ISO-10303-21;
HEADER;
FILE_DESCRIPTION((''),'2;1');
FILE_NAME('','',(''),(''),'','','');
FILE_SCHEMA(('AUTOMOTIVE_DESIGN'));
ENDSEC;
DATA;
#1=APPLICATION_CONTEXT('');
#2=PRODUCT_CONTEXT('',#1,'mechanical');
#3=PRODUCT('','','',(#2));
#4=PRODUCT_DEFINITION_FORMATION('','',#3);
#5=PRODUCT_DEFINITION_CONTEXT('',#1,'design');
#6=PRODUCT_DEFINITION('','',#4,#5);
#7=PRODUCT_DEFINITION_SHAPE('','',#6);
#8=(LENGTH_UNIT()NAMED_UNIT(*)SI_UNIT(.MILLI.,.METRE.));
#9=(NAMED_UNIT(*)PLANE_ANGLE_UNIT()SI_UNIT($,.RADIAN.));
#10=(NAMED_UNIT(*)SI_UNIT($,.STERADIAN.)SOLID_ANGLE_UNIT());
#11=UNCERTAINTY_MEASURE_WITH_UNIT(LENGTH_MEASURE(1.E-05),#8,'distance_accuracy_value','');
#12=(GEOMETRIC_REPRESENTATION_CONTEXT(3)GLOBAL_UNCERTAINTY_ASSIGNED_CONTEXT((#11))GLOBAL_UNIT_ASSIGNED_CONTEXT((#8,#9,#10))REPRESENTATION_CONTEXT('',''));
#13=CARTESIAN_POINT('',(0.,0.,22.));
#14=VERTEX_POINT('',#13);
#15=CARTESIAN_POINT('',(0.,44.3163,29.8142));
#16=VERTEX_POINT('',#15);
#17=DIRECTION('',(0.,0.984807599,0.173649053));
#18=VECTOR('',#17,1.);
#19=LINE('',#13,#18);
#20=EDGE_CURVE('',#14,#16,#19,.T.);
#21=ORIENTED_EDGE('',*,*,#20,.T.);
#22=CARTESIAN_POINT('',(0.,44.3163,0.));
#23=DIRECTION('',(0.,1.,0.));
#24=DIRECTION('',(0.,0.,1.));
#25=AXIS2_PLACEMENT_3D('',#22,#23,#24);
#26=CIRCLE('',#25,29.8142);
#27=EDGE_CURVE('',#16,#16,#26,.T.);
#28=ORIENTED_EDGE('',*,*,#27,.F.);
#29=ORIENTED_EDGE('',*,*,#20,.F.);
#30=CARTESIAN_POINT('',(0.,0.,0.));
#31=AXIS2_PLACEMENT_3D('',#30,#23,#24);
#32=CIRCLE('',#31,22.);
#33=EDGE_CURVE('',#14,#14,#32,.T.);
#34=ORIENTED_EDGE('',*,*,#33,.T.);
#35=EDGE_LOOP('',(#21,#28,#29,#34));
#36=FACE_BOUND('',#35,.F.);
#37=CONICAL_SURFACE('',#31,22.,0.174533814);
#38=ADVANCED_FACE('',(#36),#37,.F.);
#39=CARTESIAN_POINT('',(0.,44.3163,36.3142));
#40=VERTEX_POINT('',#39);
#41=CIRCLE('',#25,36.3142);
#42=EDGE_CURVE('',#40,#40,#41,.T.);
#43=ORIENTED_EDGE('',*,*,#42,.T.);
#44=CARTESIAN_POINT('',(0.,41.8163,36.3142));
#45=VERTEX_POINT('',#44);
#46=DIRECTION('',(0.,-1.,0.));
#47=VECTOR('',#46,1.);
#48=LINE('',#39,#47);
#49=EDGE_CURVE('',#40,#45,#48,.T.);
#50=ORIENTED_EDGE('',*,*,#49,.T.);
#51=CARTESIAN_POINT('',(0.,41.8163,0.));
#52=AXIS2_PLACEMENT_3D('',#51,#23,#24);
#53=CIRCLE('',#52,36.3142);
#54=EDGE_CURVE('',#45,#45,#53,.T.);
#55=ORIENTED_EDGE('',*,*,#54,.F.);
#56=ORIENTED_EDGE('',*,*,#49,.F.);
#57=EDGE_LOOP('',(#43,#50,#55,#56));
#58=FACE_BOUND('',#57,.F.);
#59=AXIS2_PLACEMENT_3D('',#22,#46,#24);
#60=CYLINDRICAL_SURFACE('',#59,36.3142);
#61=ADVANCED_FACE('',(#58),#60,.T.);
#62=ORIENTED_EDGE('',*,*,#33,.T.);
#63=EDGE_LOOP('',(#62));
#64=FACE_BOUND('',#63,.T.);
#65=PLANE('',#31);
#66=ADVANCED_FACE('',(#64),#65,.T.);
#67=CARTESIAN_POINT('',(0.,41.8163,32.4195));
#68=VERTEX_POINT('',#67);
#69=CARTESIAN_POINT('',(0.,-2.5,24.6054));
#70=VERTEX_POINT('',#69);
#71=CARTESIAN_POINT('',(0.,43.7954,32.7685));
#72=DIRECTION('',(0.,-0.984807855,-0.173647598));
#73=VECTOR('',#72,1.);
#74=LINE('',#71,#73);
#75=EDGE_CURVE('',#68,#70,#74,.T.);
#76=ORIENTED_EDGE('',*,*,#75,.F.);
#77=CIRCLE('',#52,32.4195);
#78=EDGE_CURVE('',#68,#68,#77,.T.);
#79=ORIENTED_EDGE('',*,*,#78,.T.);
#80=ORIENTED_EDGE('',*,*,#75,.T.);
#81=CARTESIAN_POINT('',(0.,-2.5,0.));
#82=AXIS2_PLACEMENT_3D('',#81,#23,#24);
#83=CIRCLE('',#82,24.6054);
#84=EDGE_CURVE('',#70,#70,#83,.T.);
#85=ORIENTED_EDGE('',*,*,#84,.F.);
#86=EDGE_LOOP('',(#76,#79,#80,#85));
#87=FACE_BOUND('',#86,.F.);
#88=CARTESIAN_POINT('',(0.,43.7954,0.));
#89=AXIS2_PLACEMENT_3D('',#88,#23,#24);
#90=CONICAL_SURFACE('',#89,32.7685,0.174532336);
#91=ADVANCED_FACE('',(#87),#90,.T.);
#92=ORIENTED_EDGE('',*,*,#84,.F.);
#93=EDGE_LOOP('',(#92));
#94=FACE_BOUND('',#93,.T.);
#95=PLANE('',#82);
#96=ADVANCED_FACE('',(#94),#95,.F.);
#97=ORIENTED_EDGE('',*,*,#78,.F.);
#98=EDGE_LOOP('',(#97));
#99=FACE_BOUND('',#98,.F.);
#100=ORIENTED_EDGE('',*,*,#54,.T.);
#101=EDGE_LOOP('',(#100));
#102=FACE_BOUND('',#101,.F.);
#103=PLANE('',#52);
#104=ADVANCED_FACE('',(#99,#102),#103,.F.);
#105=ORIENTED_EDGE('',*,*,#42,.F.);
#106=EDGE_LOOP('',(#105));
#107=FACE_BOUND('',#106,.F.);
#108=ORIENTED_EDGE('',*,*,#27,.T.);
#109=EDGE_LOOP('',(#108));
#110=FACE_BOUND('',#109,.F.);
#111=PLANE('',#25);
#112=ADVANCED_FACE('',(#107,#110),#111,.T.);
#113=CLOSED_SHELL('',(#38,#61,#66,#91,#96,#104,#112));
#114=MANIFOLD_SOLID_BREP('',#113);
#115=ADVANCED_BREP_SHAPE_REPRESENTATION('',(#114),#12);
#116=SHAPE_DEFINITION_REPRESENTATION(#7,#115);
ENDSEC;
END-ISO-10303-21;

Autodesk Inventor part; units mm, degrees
ref_plane "YZ Plane" through (0, 0, 0) normal (1, 0, 0) x (0, 1, 0)
ref_plane "XZ Plane" through (0, 0, 0) normal (0, 1, 0) x (-1, 0, 0)
ref_plane "XY Plane" through (0, 0, 0) normal (0, 0, 1) x (1, 0, 0)
sketch "Sketch1" plane through (0, 0, 0) normal (1, 0, 0) x (0, 1, 0)
  line L0 (0, 0) -> (-2.5, 0)
  line L1 (-2.5, 0) -> (-2.5, 22)
  line L2 (-2.5, 22) -> (0, 22)
  line L3 (0, 22) -> (0, 0)
  line L4 (0, 22) -> (44.3163, 29.8142)
  line L5 (0, 22) -> (45, 22) construction
  line L6 (44.3163, 29.8142) -> (43.7954, 32.7685)
  line L7 (43.7954, 32.7685) -> (-2.5, 24.6054)
  line L8 (-2.5, 24.6054) -> (-2.5, 22)
  line L9 (44.3163, 29.8142) -> (44.3163, 36.3142)
  line L10 (44.3163, 36.3142) -> (41.8163, 36.3142)
  line L11 (41.8163, 36.3142) -> (41.8163, 32.4195)
  line L12 (0, 0) -> (7.1877, 0)
  dimension "d0" = 2.5
  dimension "d1" = 22
  dimension "d2" = 45
  dimension "d3" = 10
  dimension "d4" = 6.5
  dimension "d5" = 2.5
revolve "Revolution1" add sketch "Sketch1" angle 360 about axis through (0, 0, 0) along (0, 1, 0)
properties part number "pingPongHolder 1-14"
